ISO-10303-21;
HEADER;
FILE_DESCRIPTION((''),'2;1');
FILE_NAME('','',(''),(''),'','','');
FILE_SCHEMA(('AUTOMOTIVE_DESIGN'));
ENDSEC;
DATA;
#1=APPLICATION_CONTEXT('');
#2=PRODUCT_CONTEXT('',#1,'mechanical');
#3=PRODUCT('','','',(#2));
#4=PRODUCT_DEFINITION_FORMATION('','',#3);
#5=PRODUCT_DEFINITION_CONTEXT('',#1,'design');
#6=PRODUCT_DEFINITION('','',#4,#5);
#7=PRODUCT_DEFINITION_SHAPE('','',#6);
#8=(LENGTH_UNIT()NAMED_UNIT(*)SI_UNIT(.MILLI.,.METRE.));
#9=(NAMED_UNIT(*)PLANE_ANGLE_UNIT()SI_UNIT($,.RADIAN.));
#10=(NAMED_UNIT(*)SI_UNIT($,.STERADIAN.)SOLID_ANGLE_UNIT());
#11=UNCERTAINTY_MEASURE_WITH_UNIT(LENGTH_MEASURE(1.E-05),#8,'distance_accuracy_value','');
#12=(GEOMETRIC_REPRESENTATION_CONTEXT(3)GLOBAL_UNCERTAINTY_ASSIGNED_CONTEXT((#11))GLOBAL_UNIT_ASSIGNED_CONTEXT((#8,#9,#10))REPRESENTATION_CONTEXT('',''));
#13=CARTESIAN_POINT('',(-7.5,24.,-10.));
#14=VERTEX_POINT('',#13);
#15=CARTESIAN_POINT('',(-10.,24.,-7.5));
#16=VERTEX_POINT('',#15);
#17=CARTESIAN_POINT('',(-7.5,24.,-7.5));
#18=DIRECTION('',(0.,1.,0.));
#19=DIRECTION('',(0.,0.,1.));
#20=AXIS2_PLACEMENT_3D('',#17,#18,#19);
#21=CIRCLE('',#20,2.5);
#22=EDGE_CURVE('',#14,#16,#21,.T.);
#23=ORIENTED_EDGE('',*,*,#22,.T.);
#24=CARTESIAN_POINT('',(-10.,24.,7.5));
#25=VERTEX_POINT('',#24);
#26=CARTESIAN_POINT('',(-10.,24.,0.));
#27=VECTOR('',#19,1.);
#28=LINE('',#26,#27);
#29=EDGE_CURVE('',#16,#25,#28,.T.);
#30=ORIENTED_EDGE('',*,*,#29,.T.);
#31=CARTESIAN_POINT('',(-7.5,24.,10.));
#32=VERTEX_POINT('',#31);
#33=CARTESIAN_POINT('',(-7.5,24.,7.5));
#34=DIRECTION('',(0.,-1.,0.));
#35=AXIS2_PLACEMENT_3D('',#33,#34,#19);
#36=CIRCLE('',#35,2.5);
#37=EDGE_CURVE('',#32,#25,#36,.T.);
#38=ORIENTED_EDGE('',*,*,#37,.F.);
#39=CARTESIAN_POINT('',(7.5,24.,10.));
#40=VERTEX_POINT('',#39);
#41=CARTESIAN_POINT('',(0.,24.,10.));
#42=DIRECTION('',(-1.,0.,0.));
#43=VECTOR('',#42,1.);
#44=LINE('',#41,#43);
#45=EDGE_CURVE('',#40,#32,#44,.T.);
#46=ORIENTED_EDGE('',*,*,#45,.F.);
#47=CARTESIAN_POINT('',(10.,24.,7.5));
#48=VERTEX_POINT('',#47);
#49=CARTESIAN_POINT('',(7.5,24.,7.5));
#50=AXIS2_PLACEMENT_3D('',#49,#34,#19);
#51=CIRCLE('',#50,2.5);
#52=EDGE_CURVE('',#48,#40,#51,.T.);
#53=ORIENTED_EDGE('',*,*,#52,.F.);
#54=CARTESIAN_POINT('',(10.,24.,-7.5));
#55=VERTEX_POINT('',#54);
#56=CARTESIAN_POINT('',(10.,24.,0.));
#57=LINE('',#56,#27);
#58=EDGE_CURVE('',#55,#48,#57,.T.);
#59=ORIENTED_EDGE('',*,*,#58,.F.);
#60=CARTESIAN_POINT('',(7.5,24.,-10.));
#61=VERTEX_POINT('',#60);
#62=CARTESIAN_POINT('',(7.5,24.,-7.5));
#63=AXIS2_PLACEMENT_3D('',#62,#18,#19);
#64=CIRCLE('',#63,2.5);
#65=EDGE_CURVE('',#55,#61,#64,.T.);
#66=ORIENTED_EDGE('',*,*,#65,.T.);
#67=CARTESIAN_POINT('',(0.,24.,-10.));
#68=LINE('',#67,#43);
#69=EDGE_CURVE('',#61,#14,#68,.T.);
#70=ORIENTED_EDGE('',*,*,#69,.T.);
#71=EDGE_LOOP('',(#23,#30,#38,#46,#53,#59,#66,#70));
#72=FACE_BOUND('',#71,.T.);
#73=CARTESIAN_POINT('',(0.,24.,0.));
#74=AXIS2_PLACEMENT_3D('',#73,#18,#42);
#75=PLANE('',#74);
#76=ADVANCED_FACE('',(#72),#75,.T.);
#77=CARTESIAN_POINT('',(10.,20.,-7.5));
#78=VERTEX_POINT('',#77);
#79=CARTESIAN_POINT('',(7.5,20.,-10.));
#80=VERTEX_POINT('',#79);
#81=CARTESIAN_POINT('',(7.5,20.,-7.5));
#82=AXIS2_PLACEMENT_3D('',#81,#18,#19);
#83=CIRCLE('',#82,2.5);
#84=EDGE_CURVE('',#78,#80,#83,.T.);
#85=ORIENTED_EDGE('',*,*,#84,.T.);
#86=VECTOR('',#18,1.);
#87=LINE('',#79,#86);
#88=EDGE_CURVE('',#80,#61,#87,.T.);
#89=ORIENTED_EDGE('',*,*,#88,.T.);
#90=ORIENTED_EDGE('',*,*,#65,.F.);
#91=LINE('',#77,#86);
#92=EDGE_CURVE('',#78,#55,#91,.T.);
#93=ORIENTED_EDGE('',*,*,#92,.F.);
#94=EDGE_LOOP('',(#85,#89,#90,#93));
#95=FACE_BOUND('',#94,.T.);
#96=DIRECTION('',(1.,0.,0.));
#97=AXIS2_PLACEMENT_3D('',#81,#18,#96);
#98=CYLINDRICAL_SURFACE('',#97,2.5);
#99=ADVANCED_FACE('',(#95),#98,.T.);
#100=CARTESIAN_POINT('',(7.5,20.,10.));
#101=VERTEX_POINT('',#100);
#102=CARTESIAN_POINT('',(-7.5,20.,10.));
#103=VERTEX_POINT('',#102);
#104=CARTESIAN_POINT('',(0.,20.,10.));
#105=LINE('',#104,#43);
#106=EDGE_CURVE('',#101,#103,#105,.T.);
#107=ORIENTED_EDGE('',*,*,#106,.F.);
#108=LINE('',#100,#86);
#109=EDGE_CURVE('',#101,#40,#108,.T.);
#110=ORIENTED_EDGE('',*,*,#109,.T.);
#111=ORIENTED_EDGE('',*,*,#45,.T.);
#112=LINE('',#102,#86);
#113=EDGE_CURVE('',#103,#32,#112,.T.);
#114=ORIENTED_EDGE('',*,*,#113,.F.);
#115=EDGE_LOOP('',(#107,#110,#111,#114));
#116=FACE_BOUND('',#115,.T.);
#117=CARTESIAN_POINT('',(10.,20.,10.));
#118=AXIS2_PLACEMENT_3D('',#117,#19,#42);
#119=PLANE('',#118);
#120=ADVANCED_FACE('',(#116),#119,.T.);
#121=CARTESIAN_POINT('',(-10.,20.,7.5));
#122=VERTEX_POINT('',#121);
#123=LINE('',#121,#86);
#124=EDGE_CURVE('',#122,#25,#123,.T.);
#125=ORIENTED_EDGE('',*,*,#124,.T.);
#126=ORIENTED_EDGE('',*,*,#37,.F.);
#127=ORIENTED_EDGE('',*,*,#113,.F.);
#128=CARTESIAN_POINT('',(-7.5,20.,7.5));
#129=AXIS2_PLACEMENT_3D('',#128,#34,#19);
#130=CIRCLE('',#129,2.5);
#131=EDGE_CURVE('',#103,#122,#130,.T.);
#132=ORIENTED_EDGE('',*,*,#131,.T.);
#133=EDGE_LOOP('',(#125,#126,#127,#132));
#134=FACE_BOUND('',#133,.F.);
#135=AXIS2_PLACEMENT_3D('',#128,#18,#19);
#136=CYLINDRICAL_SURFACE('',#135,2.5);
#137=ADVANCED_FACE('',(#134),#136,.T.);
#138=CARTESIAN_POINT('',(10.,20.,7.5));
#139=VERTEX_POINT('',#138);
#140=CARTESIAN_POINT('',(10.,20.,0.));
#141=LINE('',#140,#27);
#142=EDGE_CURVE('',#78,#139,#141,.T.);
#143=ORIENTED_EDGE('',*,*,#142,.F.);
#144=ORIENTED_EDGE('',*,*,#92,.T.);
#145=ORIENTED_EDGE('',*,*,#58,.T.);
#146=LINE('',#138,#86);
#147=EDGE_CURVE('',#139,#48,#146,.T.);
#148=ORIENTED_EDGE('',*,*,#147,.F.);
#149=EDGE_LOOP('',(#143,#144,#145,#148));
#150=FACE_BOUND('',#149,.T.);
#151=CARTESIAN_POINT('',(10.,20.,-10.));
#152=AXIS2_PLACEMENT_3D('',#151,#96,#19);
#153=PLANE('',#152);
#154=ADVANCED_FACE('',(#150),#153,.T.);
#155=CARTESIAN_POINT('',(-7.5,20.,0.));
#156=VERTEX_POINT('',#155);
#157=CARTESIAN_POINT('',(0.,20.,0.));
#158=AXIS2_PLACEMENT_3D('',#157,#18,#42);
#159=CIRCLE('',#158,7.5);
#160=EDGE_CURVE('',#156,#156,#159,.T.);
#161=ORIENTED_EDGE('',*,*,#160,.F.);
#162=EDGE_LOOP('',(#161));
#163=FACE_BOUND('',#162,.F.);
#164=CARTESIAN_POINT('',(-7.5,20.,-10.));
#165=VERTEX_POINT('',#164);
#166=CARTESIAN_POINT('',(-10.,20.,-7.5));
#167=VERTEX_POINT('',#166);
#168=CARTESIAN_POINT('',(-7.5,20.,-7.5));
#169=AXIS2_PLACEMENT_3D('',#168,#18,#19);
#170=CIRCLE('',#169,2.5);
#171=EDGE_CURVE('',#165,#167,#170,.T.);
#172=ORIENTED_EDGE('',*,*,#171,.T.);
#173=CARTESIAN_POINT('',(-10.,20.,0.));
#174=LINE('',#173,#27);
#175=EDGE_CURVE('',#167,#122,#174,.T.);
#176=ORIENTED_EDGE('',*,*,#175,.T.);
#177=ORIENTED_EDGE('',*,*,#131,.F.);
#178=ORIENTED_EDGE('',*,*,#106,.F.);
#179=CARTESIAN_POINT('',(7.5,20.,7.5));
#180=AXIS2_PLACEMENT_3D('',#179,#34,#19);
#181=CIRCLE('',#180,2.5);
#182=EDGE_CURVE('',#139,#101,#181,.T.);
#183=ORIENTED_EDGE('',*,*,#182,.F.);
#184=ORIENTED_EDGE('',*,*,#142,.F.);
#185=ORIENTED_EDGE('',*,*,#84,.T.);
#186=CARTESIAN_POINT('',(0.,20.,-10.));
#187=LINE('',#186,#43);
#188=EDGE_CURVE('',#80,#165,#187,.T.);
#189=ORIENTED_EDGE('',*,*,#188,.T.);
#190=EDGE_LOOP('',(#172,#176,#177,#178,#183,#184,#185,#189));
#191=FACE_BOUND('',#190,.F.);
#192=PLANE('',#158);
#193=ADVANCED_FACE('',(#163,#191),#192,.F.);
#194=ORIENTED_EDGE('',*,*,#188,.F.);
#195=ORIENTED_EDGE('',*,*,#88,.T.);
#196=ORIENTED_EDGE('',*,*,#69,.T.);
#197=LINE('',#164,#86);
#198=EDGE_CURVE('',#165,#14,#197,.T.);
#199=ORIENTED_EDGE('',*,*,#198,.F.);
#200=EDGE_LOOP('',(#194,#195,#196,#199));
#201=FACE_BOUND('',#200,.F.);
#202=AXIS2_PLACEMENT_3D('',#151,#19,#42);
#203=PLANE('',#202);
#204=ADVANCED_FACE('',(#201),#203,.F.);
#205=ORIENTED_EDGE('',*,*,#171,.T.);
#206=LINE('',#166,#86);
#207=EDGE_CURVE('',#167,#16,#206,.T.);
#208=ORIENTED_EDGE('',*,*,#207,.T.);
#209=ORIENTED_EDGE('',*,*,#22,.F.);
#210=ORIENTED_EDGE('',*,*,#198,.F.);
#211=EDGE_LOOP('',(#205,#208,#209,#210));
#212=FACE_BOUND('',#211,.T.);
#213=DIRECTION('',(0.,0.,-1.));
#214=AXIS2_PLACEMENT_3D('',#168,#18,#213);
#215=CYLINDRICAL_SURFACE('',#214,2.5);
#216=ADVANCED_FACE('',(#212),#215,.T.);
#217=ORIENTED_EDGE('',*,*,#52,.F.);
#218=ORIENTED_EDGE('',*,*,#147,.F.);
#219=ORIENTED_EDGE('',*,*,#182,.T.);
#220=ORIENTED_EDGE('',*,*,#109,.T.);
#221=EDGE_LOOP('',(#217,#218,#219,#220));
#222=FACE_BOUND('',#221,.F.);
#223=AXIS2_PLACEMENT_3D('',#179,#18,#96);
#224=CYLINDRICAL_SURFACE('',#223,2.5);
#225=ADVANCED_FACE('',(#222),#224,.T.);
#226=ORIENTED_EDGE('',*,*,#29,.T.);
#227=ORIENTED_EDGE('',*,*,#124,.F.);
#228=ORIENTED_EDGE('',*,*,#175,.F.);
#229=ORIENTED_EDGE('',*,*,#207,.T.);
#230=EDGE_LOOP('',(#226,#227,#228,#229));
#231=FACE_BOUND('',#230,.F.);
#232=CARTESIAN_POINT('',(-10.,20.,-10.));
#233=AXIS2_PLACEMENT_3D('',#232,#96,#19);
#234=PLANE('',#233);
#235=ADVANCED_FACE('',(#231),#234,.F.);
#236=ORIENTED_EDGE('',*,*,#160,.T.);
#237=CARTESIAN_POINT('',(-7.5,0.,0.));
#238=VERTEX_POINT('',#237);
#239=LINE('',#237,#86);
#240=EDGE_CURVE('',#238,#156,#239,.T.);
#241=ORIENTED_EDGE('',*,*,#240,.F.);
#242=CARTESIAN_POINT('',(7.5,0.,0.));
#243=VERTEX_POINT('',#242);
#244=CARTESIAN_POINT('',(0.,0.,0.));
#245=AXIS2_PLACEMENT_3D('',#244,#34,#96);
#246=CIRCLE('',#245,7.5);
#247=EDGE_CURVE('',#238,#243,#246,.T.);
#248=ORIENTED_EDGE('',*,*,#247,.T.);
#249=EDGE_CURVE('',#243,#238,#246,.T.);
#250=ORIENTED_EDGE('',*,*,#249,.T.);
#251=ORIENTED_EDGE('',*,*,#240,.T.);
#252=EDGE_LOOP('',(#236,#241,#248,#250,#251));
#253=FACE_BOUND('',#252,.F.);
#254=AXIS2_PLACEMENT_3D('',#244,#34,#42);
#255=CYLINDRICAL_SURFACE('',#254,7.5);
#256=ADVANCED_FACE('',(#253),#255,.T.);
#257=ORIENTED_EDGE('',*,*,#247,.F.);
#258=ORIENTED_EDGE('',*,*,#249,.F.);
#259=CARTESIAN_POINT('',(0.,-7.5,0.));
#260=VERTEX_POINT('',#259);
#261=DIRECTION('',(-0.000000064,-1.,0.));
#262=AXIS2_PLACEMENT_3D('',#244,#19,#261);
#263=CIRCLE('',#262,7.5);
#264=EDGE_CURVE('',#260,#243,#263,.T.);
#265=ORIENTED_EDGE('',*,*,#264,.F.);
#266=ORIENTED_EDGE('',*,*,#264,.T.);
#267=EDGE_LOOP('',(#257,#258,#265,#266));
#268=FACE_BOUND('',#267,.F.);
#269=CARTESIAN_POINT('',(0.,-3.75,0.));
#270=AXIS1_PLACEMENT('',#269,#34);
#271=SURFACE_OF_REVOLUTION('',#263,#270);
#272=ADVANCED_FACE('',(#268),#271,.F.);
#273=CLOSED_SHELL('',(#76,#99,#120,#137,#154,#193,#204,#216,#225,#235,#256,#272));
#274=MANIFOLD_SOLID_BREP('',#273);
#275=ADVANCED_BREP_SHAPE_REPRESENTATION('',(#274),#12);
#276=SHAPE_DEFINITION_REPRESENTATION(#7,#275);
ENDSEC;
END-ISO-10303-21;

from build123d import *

# Parameters (mm, degrees)
F2_R     = 7.5
F3_DEPTH = 20
F4_W     = 20
F4_H     = 20
F5_DEPTH = 4
F6_R     = 2.5


with BuildPart() as f1:
    # F0 (on Top) → F1 (revolve)
    with BuildSketch(Plane.XY):
        with BuildLine():
            ThreePointArc((0, -7.5), (5.303301, -5.303301), (7.5, 0))
            Line((7.5, 0), (0, 0))
            Line((0, 0), (0, -7.5))
        make_face()
    revolve(axis=Axis((0, -3.75, 0), (0, -1, 0)))

    # F2 (on face) → F3 (join)
    with BuildSketch(Plane(origin=(0, 0, 0), x_dir=(-1, 0, 0), z_dir=(0, 1, 0))):
        Circle(F2_R)
    extrude(amount=F3_DEPTH)

    # F4 (on face) → F5 (join)
    with BuildSketch(Plane(origin=(0, 20, 0), x_dir=(-1, 0, 0), z_dir=(0, 1, 0))):
        Rectangle(F4_W, F4_H)
    extrude(amount=F5_DEPTH)

    # F6
    f6_edges = [f1.edges().sort_by_distance(p)[0] for p in [
        (-10, 22, 10),
        (-10, 22, -10),
        (10, 22, -10),
        (10, 22, 10),
    ]]
    fillet(f6_edges, radius=F6_R)


solid = f1.part
